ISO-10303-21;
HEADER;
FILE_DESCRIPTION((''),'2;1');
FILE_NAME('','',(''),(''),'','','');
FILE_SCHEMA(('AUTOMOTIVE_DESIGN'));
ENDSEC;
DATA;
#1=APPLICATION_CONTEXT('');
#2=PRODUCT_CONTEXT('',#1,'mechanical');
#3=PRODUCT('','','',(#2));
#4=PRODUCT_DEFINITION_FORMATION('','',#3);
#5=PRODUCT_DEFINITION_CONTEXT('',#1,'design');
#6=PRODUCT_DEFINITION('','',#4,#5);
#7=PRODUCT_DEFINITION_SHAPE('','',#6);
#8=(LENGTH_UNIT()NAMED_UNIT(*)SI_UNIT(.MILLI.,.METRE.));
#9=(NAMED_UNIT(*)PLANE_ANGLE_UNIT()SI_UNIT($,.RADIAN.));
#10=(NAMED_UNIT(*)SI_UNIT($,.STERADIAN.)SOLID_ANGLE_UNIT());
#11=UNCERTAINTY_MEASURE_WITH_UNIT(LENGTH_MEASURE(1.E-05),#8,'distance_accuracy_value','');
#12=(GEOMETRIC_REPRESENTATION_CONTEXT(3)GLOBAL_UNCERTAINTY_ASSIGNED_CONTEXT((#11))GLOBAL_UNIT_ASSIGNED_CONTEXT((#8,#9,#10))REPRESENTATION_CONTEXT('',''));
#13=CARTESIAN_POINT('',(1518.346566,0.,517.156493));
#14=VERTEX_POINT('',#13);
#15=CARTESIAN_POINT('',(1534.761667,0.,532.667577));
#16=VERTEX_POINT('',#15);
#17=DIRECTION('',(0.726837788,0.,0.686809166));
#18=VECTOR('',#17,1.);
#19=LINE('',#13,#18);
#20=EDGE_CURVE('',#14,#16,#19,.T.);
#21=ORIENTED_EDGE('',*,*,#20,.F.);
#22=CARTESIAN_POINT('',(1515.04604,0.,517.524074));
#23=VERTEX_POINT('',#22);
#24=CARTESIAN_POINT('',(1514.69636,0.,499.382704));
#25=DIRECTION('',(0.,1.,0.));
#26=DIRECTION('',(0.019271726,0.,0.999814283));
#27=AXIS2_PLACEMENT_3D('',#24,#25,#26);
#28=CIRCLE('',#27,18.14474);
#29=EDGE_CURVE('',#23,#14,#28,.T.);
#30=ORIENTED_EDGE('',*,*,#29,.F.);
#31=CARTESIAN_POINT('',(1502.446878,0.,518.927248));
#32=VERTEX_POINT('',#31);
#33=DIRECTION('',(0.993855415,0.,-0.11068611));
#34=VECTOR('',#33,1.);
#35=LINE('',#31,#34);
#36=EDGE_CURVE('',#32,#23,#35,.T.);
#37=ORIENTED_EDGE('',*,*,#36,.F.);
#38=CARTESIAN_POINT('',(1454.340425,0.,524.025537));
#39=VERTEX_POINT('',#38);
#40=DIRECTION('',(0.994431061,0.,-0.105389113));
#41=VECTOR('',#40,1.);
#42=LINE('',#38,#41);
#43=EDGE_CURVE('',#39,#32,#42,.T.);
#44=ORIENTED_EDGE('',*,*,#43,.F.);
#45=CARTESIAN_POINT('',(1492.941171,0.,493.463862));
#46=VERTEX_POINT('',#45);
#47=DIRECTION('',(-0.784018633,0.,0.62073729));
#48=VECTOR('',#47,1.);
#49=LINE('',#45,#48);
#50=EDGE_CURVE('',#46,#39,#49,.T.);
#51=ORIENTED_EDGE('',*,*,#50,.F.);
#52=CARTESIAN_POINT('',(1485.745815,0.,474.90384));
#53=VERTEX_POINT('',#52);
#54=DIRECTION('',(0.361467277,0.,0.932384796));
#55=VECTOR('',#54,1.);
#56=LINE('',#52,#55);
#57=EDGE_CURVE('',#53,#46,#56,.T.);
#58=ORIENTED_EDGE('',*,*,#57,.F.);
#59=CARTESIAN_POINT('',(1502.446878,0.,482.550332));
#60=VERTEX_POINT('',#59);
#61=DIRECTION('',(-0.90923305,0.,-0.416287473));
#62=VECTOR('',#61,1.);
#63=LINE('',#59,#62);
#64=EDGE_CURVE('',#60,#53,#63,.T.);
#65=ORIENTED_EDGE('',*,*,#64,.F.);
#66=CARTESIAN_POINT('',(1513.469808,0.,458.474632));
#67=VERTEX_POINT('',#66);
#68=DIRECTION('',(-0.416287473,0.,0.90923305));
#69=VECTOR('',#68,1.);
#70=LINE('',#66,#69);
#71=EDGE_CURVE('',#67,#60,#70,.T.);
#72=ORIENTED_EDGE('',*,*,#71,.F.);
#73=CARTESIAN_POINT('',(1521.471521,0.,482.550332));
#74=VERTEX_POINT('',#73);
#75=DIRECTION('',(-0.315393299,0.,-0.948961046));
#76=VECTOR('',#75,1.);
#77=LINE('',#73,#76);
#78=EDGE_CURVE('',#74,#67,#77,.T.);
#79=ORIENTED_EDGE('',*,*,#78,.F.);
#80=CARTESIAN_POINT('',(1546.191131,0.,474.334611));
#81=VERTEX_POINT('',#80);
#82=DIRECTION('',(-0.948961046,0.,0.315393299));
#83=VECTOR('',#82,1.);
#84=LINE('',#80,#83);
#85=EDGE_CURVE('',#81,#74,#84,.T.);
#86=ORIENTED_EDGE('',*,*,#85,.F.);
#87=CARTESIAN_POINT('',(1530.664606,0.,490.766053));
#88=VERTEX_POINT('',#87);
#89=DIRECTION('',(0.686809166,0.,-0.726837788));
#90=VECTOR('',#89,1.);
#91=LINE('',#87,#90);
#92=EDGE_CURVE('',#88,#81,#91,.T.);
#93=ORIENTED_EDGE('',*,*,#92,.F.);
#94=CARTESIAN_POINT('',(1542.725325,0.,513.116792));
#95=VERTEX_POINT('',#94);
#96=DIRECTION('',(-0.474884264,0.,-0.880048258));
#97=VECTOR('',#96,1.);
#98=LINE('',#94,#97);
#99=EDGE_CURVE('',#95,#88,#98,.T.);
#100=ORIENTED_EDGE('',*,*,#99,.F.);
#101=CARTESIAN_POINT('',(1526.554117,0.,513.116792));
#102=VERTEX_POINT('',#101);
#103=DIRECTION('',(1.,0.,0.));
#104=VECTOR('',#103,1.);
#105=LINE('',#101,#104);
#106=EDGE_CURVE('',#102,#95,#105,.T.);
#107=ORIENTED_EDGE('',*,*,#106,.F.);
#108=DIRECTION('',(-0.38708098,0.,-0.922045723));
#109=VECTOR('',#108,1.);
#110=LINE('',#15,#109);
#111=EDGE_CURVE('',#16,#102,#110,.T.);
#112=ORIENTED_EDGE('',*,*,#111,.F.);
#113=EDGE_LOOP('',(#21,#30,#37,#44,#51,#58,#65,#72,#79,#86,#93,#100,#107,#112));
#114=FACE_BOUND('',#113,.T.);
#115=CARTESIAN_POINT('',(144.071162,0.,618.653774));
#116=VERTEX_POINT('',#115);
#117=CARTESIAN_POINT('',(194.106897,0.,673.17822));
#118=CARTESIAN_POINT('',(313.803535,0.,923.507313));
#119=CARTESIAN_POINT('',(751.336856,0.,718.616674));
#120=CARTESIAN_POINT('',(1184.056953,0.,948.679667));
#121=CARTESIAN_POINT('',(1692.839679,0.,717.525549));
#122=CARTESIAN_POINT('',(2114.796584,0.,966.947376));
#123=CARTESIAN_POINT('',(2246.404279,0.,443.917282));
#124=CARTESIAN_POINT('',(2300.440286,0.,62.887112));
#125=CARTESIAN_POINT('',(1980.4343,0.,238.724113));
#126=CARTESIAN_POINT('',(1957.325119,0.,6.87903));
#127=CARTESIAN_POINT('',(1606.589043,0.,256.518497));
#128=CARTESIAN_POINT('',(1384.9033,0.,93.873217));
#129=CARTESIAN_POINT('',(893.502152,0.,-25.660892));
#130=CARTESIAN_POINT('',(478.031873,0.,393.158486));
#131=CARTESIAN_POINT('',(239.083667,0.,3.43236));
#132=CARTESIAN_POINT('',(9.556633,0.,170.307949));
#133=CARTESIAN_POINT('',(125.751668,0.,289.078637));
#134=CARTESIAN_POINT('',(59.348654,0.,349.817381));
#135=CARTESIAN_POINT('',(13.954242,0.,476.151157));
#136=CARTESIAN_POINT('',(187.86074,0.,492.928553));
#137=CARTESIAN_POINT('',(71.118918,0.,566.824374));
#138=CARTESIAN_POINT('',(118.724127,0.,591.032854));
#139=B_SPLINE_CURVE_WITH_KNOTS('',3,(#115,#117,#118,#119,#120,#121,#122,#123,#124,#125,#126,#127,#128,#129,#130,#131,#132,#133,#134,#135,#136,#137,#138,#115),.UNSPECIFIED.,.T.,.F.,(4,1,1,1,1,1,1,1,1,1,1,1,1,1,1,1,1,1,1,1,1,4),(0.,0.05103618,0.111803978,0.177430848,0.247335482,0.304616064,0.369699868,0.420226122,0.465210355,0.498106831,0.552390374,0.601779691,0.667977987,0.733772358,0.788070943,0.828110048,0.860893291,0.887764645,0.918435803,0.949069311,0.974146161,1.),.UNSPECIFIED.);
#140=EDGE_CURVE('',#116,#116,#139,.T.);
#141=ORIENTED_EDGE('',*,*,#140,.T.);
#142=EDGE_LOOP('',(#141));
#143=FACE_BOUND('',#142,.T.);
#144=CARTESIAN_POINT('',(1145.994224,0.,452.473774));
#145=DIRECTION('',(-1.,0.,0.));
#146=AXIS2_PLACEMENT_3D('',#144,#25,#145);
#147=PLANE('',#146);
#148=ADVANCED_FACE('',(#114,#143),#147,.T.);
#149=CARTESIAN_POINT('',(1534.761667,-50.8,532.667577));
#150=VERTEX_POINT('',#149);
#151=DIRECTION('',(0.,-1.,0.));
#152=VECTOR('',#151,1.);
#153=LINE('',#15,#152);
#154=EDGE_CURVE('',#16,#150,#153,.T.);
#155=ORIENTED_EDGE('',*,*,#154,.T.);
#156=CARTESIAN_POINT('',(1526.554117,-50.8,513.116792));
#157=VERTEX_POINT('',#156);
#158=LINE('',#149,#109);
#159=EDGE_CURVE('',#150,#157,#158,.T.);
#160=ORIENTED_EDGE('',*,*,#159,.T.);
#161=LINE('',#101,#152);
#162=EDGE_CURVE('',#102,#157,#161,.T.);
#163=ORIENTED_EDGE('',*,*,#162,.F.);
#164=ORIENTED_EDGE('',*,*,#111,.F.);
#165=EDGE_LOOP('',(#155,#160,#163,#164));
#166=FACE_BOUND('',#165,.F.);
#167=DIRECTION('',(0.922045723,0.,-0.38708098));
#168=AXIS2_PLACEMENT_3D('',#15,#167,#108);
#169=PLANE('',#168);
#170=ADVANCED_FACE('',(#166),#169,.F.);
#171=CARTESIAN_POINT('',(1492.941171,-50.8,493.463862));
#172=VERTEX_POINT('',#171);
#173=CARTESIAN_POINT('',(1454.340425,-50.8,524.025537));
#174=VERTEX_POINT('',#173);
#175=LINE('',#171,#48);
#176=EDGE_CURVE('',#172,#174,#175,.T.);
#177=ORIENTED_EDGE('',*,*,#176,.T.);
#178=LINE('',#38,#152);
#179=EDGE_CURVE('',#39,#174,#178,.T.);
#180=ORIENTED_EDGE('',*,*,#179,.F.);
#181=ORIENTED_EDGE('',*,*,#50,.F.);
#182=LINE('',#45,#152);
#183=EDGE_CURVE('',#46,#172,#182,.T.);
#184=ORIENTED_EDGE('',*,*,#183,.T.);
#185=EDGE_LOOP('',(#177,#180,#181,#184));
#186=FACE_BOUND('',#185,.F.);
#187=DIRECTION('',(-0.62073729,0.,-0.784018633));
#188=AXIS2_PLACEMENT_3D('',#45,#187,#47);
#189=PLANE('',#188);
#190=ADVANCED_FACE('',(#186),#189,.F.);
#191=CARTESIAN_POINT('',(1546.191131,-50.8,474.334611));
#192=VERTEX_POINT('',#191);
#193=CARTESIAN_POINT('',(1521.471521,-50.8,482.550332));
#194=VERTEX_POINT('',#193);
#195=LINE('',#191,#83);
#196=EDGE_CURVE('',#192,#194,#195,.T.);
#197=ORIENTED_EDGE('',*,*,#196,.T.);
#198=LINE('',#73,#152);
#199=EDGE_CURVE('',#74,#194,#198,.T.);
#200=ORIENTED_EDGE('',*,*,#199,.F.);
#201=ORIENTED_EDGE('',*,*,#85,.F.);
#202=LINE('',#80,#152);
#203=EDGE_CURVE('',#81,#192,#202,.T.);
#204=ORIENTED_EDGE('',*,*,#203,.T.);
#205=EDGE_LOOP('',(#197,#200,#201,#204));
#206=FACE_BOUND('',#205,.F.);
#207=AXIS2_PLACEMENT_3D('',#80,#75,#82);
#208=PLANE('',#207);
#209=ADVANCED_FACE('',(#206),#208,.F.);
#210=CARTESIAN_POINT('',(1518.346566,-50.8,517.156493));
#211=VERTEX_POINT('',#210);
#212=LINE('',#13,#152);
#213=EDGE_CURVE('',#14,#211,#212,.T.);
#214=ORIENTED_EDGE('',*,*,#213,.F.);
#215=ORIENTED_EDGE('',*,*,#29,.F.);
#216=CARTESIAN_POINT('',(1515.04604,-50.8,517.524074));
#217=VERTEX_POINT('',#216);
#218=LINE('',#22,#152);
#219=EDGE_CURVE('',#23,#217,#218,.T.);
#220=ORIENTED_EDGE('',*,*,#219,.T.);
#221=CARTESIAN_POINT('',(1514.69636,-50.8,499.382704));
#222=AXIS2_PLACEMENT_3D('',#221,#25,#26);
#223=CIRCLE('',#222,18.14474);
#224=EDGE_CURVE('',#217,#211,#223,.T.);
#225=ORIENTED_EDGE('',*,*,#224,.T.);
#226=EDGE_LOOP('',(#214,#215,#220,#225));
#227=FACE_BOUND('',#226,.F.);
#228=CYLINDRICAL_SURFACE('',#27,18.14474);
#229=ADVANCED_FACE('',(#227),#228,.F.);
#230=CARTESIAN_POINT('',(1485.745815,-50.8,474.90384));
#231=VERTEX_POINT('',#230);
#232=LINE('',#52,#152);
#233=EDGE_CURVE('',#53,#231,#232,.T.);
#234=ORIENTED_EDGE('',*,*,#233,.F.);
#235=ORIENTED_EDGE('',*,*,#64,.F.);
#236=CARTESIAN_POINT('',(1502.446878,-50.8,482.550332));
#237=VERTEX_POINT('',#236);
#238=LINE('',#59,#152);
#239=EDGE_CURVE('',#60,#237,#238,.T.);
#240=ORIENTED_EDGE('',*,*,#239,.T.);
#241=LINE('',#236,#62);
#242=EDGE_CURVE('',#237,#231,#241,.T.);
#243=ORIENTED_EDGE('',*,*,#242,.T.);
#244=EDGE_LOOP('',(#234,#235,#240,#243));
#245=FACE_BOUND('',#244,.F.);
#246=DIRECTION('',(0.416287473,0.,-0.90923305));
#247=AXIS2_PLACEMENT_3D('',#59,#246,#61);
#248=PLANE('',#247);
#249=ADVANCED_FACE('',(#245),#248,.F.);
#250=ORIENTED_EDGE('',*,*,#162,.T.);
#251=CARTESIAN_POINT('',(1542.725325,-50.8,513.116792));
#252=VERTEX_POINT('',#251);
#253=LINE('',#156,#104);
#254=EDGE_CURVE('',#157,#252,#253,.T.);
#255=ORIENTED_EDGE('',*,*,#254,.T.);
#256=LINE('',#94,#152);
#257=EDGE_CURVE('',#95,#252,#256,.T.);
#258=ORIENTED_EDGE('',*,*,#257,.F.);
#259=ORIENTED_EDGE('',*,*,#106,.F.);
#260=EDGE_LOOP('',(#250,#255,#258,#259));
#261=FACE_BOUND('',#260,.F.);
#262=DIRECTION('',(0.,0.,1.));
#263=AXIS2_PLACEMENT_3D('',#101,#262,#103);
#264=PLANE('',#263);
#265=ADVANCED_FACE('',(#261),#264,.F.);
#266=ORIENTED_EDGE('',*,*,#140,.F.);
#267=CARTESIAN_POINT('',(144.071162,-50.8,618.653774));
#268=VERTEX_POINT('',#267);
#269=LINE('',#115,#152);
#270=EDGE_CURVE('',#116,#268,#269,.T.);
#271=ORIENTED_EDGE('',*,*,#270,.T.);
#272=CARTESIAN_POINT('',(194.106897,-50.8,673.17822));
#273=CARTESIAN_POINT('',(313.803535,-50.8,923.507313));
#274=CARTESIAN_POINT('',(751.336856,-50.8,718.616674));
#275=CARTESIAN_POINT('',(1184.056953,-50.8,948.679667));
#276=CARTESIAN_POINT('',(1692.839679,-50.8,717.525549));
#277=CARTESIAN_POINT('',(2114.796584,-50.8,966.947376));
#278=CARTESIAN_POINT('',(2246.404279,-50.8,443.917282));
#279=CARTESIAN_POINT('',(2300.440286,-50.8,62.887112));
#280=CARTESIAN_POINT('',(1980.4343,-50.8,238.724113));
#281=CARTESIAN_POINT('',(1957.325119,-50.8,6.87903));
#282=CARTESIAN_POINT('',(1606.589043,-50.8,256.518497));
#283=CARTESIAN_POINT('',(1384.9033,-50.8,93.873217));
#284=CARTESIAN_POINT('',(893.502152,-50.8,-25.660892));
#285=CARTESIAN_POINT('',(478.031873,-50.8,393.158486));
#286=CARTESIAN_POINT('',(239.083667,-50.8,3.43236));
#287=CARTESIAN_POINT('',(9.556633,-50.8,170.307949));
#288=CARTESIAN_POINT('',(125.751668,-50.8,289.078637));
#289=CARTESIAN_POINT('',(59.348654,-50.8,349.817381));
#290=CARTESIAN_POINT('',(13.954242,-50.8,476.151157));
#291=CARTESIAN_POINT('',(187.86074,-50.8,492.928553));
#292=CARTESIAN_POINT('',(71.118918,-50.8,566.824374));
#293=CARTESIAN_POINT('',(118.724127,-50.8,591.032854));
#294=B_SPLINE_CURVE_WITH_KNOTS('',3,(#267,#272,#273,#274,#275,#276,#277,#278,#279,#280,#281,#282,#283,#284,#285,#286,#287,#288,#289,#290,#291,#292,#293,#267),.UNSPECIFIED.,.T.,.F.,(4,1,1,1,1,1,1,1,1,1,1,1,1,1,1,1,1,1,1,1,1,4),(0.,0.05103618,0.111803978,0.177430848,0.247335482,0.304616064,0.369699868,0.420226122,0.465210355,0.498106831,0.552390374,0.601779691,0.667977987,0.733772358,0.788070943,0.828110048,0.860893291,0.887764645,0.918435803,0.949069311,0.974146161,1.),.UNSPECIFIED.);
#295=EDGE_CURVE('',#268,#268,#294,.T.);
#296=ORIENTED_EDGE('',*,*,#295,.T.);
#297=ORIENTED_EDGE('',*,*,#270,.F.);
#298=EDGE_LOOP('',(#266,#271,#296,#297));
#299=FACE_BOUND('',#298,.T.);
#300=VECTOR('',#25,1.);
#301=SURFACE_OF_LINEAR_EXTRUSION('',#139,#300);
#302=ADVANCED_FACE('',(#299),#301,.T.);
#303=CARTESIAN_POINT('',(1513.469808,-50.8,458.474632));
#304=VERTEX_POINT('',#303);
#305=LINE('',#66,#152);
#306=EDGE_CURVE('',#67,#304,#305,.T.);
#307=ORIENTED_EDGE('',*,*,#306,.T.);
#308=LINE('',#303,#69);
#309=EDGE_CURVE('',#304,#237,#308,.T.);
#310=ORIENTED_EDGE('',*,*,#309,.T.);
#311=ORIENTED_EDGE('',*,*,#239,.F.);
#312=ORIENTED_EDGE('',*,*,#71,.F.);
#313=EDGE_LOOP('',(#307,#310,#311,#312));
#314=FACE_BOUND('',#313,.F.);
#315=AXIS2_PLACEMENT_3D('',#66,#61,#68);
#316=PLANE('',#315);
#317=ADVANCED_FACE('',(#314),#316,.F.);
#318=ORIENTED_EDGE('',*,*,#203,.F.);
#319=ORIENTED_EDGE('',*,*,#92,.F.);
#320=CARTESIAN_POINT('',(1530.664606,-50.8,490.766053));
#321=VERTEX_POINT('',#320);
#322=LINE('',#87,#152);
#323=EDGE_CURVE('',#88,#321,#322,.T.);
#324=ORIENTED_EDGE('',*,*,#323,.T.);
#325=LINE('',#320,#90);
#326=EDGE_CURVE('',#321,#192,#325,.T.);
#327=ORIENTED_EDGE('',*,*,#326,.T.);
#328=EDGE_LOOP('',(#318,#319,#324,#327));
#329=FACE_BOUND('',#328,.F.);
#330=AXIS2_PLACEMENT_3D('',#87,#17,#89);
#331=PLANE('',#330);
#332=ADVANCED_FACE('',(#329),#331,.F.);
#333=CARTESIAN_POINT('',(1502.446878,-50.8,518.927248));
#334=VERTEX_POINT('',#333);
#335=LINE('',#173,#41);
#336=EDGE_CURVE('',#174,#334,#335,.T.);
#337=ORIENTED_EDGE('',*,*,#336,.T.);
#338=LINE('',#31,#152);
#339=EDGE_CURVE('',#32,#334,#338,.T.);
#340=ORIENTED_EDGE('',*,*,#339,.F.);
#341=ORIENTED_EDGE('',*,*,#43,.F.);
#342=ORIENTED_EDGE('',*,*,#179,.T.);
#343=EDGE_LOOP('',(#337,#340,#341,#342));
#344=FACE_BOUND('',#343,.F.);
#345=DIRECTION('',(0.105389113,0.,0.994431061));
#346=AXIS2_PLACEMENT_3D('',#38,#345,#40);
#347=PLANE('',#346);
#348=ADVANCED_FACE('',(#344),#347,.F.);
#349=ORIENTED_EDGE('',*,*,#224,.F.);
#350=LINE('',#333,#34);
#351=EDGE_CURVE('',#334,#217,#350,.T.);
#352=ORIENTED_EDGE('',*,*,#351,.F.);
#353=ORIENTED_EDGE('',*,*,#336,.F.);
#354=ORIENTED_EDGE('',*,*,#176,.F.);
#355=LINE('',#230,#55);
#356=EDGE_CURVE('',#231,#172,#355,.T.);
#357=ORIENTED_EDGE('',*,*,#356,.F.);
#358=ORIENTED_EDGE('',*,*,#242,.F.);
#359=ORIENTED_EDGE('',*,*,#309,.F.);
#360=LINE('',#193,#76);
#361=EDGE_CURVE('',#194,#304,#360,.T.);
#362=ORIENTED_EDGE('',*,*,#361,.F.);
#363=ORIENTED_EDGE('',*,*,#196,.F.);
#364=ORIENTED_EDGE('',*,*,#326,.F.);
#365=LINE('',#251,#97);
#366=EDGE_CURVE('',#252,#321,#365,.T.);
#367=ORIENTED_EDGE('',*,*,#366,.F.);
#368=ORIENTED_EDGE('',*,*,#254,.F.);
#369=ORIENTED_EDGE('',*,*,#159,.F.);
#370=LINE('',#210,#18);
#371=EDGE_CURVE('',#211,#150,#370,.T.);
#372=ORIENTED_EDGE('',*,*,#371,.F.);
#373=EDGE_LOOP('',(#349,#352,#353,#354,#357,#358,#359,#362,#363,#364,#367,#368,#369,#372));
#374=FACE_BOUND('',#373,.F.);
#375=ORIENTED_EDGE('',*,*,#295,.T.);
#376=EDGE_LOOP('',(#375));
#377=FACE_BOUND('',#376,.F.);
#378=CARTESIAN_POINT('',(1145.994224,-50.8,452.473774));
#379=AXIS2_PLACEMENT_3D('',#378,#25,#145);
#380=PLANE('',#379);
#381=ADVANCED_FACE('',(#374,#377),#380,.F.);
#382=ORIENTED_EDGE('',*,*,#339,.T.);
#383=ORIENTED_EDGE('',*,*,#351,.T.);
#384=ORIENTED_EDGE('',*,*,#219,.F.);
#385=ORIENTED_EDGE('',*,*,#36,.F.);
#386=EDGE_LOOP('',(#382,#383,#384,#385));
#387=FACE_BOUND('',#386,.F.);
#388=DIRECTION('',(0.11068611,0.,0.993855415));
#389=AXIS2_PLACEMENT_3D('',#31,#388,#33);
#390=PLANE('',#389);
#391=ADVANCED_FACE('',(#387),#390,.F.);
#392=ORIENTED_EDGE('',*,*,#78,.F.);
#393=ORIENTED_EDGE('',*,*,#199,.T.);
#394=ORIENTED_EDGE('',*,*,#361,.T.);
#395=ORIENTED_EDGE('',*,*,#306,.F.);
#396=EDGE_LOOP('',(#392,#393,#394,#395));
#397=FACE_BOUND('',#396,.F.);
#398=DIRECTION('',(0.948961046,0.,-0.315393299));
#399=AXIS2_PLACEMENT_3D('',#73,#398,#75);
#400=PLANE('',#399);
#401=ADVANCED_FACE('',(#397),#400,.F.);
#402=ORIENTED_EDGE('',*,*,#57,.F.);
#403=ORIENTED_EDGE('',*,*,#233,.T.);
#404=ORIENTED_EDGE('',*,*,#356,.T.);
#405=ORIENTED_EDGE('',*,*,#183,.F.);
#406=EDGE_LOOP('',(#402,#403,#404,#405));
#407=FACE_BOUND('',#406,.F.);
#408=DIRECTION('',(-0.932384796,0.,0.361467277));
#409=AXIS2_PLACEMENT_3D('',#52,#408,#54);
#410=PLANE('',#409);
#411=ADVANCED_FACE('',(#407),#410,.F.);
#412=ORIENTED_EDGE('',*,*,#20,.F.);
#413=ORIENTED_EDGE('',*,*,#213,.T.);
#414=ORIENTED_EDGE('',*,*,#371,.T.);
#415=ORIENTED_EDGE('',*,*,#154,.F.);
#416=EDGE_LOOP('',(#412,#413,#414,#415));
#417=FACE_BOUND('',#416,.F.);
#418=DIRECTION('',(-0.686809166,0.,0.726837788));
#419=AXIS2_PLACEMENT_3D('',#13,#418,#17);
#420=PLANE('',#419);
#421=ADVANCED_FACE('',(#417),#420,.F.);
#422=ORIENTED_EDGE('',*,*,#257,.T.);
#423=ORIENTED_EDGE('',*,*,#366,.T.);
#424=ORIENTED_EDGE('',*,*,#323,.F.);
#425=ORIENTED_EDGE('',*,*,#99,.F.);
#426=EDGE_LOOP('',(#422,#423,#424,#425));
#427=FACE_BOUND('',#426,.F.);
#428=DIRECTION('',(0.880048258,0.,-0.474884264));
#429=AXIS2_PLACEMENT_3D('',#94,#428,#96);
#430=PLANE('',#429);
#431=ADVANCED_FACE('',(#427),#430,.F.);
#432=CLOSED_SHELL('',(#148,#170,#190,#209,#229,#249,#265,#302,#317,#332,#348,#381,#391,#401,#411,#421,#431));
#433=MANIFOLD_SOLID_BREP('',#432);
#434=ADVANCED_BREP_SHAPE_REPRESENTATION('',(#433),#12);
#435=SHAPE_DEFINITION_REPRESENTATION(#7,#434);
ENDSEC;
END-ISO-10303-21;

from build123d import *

# Parameters (mm, degrees)
F1_DEPTH = 50.8


with BuildPart() as f1:
    # F0 (on Front) → F1 (new body)
    with BuildSketch(Plane.XZ):
        with BuildLine():
            add(Edge.make_bspline(
                [(144.071161747, 618.6537742615), (194.1068965972, 673.1782195583), (313.8035350512, 923.5073132723), (751.3368563035, 718.6166739716), (1184.0569529389, 948.6796667634), (1692.8396787628, 717.5255493469), (2114.7965842707, 966.9473763332), (2246.4042786364, 443.91728229), (2300.4402862477, 62.8871124213), (1980.4343000614, 238.7241130521), (1957.3251191714, 6.8790297785), (1606.5890433597, 256.5184967835), (1384.9032997131, 93.8732166463), (893.5021516642, -25.6608924592), (478.0318732932, 393.1584860755), (239.0836669793, 3.4323597943), (9.5566326424, 170.3079487242), (125.7516679379, 289.0786371655), (59.348653977, 349.8173810363), (13.954241834, 476.151156619), (187.8607403773, 492.9285525519), (71.1189181616, 566.8243740753), (118.724126682, 591.0328543135), (144.071161747, 618.6537742615)],
                knots=[0, 0, 0, 0, 0.0510361798, 0.1118039781, 0.1774308483, 0.2473354824, 0.3046160643, 0.3696998679, 0.4202261219, 0.4652103547, 0.4981068307, 0.5523903738, 0.6017796909, 0.6679779868, 0.7337723575, 0.7880709429, 0.828110048, 0.8608932907, 0.8877646449, 0.9184358033, 0.9490693114, 0.9741461609, 1, 1, 1, 1], degree=3))
        make_face()
        with BuildLine():
            Line((1534.7616672516, 532.6675772667), (1526.5541166324, 513.1167924645))
            Line((1526.5541166324, 513.1167924645), (1542.7253246307, 513.1167924645))
            Line((1542.7253246307, 513.1167924645), (1530.6646060603, 490.7660532082))
            Line((1530.6646060603, 490.7660532082), (1546.1911308768, 474.3346112467))
            Line((1546.1911308768, 474.3346112467), (1521.471521414, 482.5503322274))
            Line((1521.471521414, 482.5503322274), (1513.4698078155, 458.474632036))
            Line((1513.4698078155, 458.474632036), (1502.4468776862, 482.5503322274))
            Line((1502.4468776862, 482.5503322274), (1485.7458146263, 474.9038401325))
            Line((1485.7458146263, 474.9038401325), (1492.9411707726, 493.4638622893))
            Line((1492.9411707726, 493.4638622893), (1454.3404249572, 524.0255368857))
            Line((1454.3404249572, 524.0255368857), (1502.4468776862, 518.9272484558))
            Line((1502.4468776862, 518.9272484558), (1515.0460400795, 517.5240742607))
            ThreePointArc((1515.0460400795, 517.5240742607), (1516.7047302676, 517.4159521445), (1518.3465660131, 517.1564932521))
            Line((1518.3465660131, 517.1564932521), (1534.7616672516, 532.6675772667))
        make_face(mode=Mode.SUBTRACT)
    extrude(amount=F1_DEPTH)


solid = f1.part
